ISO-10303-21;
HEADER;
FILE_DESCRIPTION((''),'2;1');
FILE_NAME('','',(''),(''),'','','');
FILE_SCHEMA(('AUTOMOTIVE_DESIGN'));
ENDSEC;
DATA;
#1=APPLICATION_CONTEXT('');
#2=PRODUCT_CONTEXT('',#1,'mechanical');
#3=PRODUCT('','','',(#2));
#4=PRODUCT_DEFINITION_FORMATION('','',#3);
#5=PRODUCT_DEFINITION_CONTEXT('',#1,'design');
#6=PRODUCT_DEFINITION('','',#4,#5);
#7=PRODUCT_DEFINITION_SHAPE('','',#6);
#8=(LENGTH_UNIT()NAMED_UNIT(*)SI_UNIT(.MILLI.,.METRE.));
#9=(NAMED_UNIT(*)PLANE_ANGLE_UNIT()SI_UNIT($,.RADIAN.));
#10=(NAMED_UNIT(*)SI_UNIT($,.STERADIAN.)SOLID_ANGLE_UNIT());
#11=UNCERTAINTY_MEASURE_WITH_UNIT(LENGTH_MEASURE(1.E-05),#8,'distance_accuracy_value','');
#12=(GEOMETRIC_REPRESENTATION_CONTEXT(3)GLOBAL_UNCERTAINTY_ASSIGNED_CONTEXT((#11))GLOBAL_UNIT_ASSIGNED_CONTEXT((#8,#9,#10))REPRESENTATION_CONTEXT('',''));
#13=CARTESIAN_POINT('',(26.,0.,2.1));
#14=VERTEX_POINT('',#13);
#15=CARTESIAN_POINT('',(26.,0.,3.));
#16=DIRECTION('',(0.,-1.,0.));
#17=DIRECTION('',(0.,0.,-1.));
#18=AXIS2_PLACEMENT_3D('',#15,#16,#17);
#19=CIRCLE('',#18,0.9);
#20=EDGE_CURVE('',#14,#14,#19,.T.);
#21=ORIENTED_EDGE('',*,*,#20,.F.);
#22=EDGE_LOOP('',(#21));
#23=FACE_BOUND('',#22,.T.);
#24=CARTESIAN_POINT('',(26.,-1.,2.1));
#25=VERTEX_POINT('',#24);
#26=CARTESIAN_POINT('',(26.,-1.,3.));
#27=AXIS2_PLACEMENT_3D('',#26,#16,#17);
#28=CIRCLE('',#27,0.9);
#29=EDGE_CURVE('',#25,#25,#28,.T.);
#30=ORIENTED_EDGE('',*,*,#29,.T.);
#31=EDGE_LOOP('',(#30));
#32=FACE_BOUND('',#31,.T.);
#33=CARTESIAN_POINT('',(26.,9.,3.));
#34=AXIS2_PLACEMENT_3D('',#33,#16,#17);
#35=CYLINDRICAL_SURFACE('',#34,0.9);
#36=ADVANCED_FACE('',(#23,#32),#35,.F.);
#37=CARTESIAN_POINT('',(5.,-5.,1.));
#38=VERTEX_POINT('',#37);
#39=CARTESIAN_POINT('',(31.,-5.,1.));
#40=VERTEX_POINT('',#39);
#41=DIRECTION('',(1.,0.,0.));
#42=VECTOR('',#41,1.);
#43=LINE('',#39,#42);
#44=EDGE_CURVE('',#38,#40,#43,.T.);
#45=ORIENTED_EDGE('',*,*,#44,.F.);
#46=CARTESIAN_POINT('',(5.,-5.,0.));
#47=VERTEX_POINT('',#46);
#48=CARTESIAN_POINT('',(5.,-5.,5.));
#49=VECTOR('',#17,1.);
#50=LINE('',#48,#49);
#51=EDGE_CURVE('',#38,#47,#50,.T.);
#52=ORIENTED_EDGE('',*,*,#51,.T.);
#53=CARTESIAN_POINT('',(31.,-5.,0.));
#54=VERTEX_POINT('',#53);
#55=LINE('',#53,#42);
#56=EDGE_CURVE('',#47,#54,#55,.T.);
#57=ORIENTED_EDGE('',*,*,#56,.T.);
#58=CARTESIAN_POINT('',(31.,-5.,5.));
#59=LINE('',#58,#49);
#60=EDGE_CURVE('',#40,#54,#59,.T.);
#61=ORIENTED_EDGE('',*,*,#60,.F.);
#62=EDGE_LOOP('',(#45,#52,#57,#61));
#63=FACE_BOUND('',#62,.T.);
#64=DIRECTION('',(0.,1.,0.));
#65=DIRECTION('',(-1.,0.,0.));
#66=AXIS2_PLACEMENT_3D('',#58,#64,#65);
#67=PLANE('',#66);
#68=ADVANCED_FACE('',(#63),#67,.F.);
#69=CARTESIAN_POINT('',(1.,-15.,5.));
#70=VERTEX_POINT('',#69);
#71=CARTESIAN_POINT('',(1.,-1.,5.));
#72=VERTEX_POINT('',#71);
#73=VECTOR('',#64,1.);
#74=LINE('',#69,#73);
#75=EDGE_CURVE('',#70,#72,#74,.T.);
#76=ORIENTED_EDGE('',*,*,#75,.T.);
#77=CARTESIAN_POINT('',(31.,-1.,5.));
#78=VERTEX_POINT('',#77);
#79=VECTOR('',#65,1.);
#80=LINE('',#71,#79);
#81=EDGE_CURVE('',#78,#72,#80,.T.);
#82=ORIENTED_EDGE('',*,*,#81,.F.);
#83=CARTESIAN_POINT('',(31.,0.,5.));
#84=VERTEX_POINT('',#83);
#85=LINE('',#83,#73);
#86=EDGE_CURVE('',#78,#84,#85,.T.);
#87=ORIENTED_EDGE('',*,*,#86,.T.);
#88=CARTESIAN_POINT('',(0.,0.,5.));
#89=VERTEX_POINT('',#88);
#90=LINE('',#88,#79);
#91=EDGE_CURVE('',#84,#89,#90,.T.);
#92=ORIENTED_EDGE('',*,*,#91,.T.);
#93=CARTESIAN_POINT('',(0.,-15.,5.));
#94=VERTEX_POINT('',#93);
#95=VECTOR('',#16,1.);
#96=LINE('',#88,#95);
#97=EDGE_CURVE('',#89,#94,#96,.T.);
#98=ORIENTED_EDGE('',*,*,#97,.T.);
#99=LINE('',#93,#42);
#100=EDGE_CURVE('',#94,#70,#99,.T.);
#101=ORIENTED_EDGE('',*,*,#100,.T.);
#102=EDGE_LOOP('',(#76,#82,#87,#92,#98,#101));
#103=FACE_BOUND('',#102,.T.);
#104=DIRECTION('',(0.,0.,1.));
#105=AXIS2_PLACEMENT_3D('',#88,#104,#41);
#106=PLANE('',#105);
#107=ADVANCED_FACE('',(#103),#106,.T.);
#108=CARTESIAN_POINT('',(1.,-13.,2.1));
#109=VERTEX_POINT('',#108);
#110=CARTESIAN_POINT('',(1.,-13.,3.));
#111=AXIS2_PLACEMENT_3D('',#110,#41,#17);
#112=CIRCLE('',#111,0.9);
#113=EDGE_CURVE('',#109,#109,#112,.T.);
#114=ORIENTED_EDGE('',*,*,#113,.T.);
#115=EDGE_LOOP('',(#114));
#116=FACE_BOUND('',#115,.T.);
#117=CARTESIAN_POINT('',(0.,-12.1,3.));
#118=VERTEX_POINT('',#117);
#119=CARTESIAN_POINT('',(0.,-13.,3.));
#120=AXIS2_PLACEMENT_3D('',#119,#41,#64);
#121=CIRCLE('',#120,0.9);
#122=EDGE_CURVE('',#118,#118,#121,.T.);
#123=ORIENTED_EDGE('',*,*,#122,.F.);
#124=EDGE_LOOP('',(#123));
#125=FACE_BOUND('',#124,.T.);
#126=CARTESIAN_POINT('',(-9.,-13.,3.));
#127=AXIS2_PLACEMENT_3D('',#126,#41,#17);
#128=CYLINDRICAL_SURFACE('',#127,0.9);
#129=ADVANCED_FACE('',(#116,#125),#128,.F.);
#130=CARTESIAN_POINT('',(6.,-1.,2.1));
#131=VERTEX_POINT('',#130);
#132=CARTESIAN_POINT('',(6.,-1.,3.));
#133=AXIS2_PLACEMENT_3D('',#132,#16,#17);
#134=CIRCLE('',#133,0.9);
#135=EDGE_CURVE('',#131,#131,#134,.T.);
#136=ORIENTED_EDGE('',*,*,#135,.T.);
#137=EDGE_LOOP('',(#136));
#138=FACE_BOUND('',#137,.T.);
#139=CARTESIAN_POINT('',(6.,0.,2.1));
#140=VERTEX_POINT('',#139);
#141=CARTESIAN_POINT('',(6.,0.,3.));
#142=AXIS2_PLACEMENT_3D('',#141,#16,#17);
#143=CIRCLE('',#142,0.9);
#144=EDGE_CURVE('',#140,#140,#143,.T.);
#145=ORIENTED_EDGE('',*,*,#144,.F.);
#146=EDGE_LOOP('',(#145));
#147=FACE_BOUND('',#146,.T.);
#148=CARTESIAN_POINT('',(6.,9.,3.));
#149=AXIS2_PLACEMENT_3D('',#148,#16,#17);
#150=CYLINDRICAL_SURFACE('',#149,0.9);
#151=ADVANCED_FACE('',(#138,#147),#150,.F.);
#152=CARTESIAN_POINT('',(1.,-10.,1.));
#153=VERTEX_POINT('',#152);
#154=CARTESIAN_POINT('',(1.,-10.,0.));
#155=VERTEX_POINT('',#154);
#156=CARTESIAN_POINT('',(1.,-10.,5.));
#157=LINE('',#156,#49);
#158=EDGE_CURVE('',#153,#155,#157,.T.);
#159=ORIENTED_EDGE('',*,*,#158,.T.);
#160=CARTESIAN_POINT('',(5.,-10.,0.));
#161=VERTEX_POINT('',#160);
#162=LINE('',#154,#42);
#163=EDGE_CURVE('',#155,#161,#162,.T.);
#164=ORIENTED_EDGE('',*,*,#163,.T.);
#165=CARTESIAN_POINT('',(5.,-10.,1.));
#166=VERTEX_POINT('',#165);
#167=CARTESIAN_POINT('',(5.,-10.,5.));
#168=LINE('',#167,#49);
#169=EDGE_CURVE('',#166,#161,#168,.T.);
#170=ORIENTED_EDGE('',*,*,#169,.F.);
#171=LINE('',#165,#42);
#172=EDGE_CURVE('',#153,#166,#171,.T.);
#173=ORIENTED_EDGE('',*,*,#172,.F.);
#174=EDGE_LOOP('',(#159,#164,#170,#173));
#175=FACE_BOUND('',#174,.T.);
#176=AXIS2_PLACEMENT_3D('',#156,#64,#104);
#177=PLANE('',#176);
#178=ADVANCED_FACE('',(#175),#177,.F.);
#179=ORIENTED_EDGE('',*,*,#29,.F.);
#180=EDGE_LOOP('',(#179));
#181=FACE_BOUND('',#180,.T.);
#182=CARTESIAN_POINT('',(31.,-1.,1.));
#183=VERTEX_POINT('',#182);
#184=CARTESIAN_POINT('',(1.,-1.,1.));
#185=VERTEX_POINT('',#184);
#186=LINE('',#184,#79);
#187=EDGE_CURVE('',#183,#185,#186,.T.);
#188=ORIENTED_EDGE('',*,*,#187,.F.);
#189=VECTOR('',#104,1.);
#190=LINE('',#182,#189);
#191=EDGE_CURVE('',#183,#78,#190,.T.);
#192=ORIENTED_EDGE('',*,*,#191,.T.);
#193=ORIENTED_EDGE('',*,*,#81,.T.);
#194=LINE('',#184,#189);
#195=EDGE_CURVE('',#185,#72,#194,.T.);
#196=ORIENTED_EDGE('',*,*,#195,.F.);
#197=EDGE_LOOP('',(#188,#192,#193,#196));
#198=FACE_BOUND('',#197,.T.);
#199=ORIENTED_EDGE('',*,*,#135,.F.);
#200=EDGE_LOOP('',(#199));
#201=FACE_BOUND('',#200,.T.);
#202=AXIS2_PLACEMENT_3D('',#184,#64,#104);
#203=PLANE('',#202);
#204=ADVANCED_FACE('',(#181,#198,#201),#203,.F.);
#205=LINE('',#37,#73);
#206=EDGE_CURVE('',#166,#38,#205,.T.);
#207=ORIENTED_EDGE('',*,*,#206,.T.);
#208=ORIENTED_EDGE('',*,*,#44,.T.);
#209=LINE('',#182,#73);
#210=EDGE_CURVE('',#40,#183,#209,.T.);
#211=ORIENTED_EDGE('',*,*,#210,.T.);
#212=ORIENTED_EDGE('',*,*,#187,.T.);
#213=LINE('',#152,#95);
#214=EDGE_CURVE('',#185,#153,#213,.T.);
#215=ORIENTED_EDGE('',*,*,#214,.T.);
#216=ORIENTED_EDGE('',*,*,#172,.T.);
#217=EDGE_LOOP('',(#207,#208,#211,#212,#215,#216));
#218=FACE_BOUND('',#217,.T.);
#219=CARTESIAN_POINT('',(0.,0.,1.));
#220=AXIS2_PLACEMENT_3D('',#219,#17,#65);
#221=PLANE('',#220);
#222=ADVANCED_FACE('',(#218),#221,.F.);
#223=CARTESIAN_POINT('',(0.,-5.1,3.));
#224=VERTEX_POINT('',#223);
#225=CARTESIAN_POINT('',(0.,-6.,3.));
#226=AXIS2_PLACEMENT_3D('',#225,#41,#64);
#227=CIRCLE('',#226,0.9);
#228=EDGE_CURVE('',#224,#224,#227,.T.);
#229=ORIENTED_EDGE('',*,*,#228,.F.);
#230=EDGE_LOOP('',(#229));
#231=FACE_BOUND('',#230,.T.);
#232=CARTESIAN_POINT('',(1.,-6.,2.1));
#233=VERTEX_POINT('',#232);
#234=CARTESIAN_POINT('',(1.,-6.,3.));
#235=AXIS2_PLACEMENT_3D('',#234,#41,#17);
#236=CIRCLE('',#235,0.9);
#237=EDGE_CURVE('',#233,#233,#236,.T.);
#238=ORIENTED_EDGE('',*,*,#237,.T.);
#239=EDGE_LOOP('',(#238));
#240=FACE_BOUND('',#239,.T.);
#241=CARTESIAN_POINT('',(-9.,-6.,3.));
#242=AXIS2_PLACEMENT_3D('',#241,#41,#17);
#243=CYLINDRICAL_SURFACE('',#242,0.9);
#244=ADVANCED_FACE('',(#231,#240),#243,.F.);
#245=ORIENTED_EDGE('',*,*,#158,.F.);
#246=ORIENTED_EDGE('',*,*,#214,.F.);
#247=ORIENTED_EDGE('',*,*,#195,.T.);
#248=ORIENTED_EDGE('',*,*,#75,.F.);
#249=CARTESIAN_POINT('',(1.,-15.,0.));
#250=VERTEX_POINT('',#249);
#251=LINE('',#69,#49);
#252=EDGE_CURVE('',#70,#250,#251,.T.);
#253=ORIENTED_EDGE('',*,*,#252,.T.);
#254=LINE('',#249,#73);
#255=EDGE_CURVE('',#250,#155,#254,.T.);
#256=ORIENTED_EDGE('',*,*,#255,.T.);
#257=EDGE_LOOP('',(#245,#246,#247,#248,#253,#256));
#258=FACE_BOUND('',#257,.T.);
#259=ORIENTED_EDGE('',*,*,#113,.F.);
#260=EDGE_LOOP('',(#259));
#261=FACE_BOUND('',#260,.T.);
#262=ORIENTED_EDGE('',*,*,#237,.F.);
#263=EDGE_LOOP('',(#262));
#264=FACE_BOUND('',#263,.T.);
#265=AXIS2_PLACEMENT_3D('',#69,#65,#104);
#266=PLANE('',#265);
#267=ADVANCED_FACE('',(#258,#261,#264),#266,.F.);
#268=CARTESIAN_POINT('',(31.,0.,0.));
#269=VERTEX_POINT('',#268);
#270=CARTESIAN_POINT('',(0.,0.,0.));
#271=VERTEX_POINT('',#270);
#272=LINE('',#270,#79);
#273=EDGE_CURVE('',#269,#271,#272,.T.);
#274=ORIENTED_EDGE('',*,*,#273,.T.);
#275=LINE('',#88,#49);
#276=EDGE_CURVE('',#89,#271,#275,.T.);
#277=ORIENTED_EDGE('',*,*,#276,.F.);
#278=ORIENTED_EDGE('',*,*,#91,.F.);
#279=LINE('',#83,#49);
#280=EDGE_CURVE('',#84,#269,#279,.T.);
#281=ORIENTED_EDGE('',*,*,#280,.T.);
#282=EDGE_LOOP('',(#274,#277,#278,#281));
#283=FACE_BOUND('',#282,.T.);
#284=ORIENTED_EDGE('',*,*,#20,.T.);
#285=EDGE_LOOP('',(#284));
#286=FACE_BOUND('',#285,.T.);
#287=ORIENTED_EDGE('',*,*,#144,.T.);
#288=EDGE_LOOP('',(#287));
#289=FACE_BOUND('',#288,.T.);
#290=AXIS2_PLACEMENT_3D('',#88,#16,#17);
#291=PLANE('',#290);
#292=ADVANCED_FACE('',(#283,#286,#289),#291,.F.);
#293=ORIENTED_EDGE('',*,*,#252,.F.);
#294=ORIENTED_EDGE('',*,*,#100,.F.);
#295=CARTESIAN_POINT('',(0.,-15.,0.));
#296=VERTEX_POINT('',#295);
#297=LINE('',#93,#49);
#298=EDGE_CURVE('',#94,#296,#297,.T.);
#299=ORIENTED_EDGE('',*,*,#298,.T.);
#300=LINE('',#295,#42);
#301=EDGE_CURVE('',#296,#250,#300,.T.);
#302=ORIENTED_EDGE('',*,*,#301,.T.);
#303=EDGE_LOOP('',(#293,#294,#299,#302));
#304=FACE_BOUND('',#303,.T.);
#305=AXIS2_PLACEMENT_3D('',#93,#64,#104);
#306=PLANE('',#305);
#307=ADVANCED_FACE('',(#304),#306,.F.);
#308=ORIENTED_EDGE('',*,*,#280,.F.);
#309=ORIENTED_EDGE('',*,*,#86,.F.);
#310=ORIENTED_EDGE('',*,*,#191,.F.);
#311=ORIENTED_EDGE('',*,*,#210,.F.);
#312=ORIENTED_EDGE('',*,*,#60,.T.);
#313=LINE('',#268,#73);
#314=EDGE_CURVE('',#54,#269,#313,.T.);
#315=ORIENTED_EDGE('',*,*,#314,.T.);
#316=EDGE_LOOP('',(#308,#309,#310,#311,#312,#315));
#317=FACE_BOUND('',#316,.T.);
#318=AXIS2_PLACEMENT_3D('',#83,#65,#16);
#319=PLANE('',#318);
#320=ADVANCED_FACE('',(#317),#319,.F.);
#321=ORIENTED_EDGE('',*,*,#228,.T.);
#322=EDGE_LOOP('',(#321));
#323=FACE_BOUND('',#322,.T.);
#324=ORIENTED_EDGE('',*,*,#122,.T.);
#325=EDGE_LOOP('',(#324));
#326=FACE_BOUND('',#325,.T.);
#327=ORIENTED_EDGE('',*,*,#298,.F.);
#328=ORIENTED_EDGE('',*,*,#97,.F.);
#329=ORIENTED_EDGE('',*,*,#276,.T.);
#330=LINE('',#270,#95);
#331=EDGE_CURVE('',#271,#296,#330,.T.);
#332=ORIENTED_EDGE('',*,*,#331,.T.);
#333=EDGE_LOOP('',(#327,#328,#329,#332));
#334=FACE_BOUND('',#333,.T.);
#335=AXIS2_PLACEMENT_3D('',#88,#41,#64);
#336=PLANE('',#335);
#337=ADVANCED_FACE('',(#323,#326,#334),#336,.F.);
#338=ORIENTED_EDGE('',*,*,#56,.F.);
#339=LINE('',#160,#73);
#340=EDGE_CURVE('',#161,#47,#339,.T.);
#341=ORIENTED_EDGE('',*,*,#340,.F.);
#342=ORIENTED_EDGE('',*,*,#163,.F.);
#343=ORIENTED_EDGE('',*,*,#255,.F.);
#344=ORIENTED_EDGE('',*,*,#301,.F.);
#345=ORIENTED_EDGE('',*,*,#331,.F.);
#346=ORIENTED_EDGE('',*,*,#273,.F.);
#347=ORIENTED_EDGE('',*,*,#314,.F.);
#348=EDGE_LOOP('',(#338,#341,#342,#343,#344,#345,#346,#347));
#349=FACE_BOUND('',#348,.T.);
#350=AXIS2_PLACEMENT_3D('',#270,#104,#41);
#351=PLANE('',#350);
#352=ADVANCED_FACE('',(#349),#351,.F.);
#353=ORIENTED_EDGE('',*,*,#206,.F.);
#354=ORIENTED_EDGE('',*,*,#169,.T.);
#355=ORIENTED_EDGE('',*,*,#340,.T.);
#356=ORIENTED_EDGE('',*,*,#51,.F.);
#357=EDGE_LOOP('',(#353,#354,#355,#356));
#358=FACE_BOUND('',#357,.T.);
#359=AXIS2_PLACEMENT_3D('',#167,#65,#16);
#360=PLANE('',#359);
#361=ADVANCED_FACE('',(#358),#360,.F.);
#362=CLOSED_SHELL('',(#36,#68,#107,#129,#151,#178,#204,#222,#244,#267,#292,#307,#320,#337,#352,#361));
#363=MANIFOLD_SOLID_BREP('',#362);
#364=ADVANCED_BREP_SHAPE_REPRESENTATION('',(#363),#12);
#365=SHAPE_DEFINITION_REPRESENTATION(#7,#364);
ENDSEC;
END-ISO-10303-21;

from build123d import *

# Parameters (mm, degrees)
BOSS_EXTRU_1_DEPTH      = 5
ENL_V_MAT_EXTRU_1_DEPTH = 4
ESQUISSE3_R             = 0.9
ENL_V_MAT_EXTRU_2_DEPTH = 10
ESQUISSE4_R             = 0.9
ENL_V_MAT_EXTRU_3_DEPTH = 10


with BuildPart() as part:
    # Esquisse1 → Boss.-Extru.1 (new body)
    with BuildSketch(Plane.XY):
        Polygon((0, 0), (31, 0), (31, -5), (5, -5), (5, -10), (1, -10), (1, -15), (0, -15), align=None)
    extrude(amount=BOSS_EXTRU_1_DEPTH)

    # Esquisse2 → Enlèv. mat.-Extru.1 (cut)
    with BuildSketch(Plane.XY.offset(5)):
        Polygon((1, -10), (1, -1), (31, -1), (31, -5), (5, -5), (5, -10), align=None)
    extrude(amount=-ENL_V_MAT_EXTRU_1_DEPTH, mode=Mode.SUBTRACT)

    # Esquisse3 → Enlèv. mat.-Extru.2 (cut)
    with BuildSketch(Plane(origin=(1, 0, 0), x_dir=(0, 0, -1), z_dir=(1, 0, 0))):
        with Locations((-3, -6)):
            Circle(ESQUISSE3_R)
        with Locations((-3, -13)):
            Circle(ESQUISSE3_R)
    extrude(amount=-ENL_V_MAT_EXTRU_2_DEPTH, mode=Mode.SUBTRACT)

    # Esquisse4 → Enlèv. mat.-Extru.3 (cut)
    with BuildSketch(Plane.XZ.offset(1)):
        with Locations(Location((6, 3, 0), (0, 0, 270))):
            Circle(ESQUISSE4_R)
        with Locations(Location((26, 3, 0), (0, 0, 270))):
            Circle(ESQUISSE4_R)
    extrude(amount=-ENL_V_MAT_EXTRU_3_DEPTH, mode=Mode.SUBTRACT)


solid = part.part
